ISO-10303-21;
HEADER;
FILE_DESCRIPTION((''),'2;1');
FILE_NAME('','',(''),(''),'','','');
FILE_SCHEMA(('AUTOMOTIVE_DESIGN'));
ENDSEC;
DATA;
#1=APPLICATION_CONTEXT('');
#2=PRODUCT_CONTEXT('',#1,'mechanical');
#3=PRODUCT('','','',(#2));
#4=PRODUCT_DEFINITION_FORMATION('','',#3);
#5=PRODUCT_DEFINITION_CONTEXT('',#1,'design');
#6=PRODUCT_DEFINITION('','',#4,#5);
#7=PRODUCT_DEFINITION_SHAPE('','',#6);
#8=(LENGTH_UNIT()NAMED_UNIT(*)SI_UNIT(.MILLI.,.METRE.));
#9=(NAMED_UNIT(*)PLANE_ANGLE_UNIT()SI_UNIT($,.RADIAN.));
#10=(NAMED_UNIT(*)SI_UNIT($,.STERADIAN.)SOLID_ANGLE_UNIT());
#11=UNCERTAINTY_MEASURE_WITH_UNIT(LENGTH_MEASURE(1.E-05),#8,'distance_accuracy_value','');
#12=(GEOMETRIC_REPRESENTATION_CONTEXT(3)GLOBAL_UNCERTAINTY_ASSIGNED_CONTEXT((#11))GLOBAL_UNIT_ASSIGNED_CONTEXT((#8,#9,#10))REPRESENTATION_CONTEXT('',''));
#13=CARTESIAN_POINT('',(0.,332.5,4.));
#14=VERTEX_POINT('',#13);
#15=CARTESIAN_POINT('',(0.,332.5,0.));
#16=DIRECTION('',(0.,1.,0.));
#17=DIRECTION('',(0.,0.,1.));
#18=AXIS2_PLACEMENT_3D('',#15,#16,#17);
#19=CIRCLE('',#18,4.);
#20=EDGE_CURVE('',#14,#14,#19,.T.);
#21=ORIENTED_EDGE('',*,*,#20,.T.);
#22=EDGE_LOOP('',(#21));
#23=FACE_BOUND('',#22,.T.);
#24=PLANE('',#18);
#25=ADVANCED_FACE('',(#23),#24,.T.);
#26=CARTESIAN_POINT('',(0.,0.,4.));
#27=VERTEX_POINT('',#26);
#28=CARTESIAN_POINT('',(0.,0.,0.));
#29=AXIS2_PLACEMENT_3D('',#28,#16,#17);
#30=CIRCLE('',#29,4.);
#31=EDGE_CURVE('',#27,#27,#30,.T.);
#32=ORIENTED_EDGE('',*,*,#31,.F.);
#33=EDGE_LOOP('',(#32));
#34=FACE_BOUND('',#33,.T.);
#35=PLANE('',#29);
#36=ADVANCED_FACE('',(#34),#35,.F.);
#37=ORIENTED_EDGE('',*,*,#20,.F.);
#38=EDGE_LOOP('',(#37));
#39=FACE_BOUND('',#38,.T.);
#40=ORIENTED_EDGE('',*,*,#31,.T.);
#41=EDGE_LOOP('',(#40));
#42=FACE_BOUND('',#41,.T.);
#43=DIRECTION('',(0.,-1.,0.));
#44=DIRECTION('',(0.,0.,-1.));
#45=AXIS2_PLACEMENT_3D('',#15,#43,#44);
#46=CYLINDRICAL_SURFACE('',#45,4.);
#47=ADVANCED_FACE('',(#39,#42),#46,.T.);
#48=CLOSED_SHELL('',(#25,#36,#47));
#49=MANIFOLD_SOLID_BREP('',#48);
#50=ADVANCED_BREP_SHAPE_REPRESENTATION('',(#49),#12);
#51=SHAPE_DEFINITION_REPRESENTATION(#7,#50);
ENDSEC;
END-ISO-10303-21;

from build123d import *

# Parameters (mm, degrees)
SKETCH1_R           = 4
BOSS_EXTRUDE1_DEPTH = 332.5


with BuildPart() as part:
    # Sketch1 → Boss-Extrude1 (new body)
    with BuildSketch(Plane(origin=(0, 0, 0), x_dir=(1, 0, 0), z_dir=(0, 1, 0))):
        Circle(SKETCH1_R)
    extrude(amount=BOSS_EXTRUDE1_DEPTH)


solid = part.part
